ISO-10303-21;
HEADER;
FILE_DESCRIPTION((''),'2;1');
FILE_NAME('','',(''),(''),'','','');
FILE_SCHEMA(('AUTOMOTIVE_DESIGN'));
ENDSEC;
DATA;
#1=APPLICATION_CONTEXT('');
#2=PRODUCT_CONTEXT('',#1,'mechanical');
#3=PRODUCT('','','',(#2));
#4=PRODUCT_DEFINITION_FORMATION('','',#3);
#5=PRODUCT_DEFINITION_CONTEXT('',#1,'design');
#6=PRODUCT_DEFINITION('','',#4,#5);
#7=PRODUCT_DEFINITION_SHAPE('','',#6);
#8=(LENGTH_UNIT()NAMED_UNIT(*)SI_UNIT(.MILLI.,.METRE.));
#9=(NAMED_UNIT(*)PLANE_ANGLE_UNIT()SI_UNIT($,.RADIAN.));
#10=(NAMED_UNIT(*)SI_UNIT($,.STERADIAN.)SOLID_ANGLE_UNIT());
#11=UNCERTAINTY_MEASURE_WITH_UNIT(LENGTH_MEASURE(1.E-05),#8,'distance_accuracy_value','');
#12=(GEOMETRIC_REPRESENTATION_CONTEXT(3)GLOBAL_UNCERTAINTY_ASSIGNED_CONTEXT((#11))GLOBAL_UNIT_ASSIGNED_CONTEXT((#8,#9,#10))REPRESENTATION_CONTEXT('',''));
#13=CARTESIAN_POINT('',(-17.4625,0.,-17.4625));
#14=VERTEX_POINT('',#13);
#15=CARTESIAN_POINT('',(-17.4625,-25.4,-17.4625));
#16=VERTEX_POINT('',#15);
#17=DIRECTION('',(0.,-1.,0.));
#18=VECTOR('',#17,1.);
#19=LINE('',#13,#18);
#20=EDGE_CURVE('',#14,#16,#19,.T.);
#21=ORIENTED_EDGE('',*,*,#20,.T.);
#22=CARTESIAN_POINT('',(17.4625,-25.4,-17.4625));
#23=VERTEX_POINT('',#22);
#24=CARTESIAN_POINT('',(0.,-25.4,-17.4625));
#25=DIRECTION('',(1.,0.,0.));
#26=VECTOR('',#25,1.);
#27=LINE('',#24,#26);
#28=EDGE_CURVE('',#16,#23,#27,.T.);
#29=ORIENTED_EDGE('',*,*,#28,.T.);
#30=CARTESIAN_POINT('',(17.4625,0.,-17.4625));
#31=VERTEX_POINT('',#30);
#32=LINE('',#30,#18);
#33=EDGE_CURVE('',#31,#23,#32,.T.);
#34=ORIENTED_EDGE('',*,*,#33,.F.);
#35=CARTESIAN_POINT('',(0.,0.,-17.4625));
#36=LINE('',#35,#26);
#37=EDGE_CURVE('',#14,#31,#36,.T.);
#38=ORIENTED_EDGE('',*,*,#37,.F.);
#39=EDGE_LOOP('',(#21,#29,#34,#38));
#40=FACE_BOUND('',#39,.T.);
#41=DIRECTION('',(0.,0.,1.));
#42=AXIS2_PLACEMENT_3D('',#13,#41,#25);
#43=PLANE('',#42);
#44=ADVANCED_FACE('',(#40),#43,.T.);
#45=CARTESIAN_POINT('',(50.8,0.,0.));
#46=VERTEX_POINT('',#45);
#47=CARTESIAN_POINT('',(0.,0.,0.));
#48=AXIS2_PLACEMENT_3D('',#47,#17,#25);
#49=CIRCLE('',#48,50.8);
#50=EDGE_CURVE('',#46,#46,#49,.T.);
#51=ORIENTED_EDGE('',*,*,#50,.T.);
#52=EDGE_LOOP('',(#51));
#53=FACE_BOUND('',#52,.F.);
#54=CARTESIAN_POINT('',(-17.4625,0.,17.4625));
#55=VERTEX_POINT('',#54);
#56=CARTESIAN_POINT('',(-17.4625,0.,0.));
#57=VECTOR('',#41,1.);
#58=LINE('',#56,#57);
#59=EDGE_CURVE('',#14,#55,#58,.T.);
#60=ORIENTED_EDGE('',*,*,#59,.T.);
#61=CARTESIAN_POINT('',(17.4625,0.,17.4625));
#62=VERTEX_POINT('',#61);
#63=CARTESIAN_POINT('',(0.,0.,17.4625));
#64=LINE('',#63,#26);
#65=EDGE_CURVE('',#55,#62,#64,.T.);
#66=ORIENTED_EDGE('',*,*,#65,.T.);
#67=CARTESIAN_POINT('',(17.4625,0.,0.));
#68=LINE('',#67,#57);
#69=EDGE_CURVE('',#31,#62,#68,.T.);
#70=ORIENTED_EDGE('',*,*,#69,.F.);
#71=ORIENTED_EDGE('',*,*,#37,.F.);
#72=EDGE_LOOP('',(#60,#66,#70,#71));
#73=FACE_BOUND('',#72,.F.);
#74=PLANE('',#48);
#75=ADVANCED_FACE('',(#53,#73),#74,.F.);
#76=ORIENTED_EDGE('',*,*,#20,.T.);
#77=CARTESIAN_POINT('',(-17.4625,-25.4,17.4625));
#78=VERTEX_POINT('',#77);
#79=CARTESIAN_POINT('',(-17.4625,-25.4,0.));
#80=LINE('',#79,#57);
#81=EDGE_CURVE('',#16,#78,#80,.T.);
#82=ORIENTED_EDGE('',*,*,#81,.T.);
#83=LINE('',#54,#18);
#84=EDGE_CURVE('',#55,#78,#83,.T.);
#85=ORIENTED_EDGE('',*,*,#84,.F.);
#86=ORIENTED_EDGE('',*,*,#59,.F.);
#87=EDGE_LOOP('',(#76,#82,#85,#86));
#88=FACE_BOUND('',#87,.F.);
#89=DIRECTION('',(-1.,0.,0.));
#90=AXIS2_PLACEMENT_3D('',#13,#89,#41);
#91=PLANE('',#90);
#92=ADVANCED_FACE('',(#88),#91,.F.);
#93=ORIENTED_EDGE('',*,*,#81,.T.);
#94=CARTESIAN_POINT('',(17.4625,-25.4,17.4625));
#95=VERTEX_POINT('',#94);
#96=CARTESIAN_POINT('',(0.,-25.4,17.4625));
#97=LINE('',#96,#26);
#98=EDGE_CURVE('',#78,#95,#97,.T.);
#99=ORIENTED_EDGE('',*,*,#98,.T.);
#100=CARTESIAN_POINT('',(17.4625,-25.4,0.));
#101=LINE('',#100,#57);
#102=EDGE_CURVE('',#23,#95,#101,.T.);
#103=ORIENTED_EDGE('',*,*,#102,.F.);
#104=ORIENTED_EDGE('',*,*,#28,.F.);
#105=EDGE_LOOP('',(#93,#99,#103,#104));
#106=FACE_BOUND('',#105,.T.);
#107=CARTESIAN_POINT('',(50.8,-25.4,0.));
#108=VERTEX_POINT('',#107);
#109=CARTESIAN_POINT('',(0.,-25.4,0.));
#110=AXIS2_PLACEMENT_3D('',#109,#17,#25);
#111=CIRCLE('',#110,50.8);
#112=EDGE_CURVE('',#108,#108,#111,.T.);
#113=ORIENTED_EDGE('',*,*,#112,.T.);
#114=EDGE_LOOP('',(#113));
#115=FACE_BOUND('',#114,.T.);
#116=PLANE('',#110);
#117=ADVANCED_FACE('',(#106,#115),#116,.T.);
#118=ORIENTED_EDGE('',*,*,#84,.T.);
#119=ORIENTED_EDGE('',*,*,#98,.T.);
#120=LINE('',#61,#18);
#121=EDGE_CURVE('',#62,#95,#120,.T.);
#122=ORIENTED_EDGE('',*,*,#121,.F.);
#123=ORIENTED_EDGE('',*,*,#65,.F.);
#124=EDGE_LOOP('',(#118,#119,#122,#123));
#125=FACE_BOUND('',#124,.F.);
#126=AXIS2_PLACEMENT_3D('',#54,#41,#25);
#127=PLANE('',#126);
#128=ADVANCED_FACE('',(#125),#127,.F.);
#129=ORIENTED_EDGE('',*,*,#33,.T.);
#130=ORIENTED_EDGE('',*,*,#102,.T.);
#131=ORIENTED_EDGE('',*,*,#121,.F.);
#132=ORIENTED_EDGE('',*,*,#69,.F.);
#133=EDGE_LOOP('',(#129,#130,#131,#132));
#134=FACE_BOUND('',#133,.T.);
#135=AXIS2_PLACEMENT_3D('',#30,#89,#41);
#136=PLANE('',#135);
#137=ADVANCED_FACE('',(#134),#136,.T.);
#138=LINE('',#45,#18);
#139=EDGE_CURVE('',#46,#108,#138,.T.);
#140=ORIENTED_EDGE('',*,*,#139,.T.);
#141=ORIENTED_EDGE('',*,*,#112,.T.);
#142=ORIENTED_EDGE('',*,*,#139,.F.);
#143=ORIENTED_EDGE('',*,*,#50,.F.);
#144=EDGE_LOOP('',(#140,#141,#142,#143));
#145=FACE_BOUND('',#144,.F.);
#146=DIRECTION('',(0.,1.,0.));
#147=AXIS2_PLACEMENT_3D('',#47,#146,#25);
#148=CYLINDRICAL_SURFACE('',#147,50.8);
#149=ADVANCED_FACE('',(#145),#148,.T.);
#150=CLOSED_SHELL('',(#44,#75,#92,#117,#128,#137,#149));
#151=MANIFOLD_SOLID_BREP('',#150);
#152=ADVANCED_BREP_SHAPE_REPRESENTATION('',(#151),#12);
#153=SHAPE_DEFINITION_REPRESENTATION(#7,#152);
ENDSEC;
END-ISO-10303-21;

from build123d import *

# Parameters (mm, degrees)
F0_R     = 50.8
F0_W     = 34.925
F0_H     = 34.925
F1_DEPTH = 25.4


with BuildPart() as f1:
    # F0 (on Front) → F1 (new body)
    with BuildSketch(Plane.XZ):
        Circle(F0_R)
        Rectangle(F0_W, F0_H, mode=Mode.SUBTRACT)
    extrude(amount=F1_DEPTH)


solid = f1.part
